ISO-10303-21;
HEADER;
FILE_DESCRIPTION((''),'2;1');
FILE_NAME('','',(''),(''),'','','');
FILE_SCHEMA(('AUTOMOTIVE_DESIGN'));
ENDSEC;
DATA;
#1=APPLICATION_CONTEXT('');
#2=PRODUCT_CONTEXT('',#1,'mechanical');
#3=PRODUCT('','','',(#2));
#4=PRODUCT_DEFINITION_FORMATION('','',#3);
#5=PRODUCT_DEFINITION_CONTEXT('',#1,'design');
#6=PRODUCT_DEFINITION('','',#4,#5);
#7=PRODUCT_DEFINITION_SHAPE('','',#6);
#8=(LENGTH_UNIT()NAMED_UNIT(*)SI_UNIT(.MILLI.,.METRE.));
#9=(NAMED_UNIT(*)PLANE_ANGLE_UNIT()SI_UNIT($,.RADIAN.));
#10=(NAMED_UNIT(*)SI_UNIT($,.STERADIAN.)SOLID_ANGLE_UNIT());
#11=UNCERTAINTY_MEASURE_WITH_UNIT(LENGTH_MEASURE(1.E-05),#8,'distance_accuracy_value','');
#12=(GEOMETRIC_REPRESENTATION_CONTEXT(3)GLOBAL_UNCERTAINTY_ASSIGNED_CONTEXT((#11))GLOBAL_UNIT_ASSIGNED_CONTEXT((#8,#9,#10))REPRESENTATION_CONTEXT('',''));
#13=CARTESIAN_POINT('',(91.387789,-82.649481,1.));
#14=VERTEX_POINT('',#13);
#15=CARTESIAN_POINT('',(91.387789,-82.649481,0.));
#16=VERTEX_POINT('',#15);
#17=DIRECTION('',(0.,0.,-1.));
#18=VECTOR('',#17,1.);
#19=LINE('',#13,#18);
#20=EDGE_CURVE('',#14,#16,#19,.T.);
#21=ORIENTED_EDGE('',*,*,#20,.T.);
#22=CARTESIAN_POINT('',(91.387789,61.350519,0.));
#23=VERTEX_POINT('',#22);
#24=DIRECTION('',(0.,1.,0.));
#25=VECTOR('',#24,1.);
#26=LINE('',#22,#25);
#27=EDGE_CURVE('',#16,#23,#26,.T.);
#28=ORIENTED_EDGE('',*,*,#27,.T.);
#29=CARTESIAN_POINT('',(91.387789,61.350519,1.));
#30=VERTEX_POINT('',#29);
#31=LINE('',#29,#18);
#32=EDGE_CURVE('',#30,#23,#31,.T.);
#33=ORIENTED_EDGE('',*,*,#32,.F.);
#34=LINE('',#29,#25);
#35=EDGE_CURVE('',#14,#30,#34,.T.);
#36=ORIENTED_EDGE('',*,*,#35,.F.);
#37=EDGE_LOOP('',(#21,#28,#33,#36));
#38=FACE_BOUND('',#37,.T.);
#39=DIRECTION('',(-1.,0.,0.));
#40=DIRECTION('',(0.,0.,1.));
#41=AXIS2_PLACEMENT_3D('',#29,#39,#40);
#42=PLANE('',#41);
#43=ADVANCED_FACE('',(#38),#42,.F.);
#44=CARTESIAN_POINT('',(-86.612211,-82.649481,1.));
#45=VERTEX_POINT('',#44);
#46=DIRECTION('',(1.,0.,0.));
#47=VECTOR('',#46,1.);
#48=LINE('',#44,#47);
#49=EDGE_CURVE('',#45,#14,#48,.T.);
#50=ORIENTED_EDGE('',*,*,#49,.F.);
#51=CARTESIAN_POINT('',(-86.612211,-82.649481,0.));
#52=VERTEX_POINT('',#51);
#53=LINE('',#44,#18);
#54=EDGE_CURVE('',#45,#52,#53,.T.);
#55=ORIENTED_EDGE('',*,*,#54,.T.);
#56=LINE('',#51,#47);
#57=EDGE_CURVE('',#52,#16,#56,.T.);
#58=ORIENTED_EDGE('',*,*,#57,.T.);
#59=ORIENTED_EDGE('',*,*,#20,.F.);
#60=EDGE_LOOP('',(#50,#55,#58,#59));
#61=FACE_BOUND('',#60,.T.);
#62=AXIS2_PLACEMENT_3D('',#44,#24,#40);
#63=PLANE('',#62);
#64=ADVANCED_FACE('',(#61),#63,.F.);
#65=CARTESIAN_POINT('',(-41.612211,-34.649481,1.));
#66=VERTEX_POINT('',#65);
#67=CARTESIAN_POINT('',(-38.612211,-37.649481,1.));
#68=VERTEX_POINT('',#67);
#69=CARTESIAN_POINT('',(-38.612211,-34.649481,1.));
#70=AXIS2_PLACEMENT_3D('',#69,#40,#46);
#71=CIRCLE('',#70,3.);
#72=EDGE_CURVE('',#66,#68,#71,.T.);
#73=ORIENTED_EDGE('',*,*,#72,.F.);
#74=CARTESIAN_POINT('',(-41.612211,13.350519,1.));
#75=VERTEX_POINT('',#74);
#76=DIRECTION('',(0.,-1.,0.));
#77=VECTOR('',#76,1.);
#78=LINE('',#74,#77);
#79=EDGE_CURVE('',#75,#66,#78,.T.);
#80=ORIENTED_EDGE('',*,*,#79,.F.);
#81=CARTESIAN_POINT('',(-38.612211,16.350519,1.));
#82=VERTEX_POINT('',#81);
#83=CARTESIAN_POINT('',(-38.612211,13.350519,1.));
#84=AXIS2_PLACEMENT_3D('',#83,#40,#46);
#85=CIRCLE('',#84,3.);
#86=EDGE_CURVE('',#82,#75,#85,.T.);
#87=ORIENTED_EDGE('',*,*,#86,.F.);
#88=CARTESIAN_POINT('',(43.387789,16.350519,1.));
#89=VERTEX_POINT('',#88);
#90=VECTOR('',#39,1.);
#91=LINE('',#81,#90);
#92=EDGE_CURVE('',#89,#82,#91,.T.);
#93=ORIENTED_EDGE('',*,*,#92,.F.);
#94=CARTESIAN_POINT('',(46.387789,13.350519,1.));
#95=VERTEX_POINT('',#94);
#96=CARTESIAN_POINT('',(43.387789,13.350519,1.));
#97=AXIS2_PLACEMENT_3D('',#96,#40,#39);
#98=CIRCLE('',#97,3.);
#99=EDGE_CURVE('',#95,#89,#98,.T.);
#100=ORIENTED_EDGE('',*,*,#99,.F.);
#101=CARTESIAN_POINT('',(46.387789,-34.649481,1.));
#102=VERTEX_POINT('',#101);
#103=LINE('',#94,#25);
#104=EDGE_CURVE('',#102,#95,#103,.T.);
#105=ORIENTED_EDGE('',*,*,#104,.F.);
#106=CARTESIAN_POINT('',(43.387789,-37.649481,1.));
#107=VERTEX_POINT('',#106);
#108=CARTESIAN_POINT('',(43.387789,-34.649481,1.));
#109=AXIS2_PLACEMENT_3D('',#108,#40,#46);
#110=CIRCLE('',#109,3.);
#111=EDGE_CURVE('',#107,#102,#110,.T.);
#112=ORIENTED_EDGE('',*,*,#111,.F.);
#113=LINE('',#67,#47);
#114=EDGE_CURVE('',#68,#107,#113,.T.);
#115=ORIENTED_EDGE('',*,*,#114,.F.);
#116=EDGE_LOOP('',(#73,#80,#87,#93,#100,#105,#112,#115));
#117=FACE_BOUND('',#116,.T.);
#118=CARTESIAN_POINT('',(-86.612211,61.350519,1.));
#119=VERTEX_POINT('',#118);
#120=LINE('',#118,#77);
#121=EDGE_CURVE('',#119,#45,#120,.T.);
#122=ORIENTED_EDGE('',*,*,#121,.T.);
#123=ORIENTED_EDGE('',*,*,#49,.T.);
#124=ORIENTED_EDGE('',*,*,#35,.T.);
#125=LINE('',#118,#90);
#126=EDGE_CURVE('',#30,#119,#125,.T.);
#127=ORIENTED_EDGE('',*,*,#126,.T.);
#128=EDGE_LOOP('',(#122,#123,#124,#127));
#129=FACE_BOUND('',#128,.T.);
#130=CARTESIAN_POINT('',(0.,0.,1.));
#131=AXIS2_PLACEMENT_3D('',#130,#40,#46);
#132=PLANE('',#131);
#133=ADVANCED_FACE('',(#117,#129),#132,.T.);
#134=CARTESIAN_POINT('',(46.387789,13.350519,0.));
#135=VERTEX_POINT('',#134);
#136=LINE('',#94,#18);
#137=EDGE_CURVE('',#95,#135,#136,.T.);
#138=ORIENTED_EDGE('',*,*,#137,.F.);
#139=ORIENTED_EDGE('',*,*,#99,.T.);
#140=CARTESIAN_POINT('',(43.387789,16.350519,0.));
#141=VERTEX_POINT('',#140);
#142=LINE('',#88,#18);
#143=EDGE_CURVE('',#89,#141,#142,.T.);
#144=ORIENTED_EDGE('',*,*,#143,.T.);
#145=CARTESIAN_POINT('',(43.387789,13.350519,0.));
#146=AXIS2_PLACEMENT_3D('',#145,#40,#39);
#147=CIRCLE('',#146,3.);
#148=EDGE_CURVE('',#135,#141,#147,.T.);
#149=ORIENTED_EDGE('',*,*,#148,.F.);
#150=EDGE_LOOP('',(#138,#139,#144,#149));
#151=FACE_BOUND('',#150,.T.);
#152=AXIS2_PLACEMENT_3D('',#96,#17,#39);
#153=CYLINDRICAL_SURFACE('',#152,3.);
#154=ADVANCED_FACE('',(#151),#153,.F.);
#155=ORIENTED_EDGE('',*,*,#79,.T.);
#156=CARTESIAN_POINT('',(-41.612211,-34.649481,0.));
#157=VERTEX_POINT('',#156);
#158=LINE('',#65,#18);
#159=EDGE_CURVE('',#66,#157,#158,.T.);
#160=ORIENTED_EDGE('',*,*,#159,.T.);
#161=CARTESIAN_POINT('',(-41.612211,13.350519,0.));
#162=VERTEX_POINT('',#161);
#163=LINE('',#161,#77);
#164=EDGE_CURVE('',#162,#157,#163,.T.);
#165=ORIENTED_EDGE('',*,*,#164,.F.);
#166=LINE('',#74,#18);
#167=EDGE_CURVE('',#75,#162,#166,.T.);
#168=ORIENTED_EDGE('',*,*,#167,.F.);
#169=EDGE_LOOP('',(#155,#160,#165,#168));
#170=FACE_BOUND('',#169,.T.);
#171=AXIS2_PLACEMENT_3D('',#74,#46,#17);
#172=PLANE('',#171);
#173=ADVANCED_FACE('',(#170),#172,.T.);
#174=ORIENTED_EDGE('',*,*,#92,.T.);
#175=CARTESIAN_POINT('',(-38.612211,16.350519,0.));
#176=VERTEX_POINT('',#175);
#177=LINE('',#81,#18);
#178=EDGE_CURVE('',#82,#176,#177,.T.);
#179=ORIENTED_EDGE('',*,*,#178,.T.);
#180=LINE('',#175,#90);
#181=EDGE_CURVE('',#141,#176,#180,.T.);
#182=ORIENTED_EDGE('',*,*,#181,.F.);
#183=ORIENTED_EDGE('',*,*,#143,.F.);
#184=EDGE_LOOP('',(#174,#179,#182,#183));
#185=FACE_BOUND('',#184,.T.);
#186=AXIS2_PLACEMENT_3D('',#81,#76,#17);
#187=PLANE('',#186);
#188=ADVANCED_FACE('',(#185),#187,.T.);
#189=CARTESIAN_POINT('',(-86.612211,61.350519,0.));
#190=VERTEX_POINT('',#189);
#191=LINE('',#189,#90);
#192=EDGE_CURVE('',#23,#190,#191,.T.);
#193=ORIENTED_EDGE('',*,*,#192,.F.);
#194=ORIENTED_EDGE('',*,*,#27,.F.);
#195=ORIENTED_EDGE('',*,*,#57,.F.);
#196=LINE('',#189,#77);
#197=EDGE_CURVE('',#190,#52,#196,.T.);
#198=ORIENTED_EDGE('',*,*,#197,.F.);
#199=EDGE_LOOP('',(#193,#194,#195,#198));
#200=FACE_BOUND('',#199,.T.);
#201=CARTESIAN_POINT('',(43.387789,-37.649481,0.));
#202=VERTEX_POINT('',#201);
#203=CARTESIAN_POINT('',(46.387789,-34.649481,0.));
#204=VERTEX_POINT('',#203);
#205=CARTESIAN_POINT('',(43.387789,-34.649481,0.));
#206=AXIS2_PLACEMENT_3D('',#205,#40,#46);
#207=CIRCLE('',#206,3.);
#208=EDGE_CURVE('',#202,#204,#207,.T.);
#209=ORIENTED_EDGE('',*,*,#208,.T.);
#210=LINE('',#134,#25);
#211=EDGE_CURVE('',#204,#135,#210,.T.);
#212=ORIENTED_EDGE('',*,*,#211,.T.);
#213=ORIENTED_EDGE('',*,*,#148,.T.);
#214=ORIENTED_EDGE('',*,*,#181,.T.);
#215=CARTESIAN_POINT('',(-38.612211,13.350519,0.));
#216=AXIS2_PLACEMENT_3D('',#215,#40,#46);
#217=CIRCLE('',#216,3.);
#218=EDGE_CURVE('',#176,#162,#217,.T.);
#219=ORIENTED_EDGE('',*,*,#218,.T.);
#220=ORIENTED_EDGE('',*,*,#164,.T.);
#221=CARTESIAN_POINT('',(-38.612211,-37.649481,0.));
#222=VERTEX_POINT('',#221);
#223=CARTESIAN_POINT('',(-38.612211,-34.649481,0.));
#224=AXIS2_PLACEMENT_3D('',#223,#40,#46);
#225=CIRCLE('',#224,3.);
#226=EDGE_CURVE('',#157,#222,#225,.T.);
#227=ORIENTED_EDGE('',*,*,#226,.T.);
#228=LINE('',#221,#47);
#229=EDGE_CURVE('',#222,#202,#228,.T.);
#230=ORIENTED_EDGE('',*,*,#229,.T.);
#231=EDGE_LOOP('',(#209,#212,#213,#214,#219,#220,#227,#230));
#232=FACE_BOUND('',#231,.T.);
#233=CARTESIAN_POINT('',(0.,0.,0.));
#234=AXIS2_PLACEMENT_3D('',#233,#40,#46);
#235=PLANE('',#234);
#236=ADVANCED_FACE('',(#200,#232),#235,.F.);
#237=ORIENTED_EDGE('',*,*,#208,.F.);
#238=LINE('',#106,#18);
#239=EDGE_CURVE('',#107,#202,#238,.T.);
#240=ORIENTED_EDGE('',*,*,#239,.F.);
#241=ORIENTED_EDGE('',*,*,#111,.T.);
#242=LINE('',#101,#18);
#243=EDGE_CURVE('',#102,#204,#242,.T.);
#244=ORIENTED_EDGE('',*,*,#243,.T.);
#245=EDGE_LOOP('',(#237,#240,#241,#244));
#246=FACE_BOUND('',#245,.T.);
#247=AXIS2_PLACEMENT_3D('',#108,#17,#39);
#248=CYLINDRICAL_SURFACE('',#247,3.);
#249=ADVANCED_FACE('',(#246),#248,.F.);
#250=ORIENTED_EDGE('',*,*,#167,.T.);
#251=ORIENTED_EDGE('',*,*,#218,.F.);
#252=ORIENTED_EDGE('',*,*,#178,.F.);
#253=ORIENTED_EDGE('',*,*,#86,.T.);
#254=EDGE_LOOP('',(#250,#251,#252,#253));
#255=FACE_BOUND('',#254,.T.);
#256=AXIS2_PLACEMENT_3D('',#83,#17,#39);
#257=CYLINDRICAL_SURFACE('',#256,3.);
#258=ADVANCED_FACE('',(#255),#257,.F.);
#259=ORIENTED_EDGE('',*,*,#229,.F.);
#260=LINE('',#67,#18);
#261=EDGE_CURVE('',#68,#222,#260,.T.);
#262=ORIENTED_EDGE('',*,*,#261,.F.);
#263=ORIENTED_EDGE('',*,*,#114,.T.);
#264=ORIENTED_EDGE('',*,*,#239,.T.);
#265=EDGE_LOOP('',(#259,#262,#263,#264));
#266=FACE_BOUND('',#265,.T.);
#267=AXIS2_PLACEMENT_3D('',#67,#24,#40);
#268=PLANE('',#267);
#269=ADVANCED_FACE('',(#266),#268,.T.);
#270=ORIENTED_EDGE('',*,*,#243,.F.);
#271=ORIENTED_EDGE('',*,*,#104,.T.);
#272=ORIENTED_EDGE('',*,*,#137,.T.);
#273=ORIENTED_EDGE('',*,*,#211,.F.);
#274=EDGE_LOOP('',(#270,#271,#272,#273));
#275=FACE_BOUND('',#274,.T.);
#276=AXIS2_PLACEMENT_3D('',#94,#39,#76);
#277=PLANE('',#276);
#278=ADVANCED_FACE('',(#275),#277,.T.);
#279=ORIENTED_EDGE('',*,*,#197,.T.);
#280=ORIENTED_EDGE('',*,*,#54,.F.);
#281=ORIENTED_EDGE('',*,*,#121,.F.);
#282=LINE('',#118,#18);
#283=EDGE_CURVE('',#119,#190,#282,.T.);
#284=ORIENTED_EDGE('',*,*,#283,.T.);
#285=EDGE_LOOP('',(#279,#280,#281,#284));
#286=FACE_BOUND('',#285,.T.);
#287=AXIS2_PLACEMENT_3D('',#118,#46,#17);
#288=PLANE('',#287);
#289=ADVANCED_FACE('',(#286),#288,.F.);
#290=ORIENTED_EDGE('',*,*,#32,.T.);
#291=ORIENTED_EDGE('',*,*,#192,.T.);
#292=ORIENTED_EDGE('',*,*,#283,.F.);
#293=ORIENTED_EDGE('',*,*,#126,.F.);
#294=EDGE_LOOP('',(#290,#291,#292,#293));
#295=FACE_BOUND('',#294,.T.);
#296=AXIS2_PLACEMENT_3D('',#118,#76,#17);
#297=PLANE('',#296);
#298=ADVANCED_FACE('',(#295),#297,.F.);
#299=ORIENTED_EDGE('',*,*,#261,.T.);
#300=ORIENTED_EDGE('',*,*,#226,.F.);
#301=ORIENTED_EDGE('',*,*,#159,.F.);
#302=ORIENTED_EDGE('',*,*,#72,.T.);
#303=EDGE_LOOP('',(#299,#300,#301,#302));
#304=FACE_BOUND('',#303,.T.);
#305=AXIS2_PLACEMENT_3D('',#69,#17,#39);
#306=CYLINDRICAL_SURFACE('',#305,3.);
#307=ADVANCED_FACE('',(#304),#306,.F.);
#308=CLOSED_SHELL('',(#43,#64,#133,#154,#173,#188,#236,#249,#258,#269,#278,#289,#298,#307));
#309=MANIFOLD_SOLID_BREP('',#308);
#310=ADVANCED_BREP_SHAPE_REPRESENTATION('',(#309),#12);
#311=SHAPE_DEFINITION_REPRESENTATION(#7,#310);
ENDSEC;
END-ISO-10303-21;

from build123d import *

# Parameters (mm, degrees)
SKETCH1_W           = 178
SKETCH1_H           = 144
BOSS_EXTRUDE1_DEPTH = 1


with BuildPart() as part:
    # Sketch1 → Boss-Extrude1 (new body)
    with BuildSketch(Plane.XY):
        with Locations((2.38778914, -10.649480895)):
            Rectangle(SKETCH1_W, SKETCH1_H)
        with BuildLine():
            Line((-38.61221086, 16.350519105), (43.38778914, 16.350519105))
            ThreePointArc((43.38778914, 16.350519105), (45.509109484, 15.471839449), (46.38778914, 13.350519105))
            Line((46.38778914, 13.350519105), (46.38778914, -34.649480895))
            ThreePointArc((46.38778914, -34.649480895), (45.509109484, -36.770801238), (43.38778914, -37.649480895))
            Line((43.38778914, -37.649480895), (-38.61221086, -37.649480895))
            ThreePointArc((-38.61221086, -37.649480895), (-40.733531203, -36.770801238), (-41.61221086, -34.649480895))
            Line((-41.61221086, -34.649480895), (-41.61221086, 13.350519105))
            ThreePointArc((-41.61221086, 13.350519105), (-40.733531203, 15.471839449), (-38.61221086, 16.350519105))
        make_face(mode=Mode.SUBTRACT)
    extrude(amount=BOSS_EXTRUDE1_DEPTH)


solid = part.part
